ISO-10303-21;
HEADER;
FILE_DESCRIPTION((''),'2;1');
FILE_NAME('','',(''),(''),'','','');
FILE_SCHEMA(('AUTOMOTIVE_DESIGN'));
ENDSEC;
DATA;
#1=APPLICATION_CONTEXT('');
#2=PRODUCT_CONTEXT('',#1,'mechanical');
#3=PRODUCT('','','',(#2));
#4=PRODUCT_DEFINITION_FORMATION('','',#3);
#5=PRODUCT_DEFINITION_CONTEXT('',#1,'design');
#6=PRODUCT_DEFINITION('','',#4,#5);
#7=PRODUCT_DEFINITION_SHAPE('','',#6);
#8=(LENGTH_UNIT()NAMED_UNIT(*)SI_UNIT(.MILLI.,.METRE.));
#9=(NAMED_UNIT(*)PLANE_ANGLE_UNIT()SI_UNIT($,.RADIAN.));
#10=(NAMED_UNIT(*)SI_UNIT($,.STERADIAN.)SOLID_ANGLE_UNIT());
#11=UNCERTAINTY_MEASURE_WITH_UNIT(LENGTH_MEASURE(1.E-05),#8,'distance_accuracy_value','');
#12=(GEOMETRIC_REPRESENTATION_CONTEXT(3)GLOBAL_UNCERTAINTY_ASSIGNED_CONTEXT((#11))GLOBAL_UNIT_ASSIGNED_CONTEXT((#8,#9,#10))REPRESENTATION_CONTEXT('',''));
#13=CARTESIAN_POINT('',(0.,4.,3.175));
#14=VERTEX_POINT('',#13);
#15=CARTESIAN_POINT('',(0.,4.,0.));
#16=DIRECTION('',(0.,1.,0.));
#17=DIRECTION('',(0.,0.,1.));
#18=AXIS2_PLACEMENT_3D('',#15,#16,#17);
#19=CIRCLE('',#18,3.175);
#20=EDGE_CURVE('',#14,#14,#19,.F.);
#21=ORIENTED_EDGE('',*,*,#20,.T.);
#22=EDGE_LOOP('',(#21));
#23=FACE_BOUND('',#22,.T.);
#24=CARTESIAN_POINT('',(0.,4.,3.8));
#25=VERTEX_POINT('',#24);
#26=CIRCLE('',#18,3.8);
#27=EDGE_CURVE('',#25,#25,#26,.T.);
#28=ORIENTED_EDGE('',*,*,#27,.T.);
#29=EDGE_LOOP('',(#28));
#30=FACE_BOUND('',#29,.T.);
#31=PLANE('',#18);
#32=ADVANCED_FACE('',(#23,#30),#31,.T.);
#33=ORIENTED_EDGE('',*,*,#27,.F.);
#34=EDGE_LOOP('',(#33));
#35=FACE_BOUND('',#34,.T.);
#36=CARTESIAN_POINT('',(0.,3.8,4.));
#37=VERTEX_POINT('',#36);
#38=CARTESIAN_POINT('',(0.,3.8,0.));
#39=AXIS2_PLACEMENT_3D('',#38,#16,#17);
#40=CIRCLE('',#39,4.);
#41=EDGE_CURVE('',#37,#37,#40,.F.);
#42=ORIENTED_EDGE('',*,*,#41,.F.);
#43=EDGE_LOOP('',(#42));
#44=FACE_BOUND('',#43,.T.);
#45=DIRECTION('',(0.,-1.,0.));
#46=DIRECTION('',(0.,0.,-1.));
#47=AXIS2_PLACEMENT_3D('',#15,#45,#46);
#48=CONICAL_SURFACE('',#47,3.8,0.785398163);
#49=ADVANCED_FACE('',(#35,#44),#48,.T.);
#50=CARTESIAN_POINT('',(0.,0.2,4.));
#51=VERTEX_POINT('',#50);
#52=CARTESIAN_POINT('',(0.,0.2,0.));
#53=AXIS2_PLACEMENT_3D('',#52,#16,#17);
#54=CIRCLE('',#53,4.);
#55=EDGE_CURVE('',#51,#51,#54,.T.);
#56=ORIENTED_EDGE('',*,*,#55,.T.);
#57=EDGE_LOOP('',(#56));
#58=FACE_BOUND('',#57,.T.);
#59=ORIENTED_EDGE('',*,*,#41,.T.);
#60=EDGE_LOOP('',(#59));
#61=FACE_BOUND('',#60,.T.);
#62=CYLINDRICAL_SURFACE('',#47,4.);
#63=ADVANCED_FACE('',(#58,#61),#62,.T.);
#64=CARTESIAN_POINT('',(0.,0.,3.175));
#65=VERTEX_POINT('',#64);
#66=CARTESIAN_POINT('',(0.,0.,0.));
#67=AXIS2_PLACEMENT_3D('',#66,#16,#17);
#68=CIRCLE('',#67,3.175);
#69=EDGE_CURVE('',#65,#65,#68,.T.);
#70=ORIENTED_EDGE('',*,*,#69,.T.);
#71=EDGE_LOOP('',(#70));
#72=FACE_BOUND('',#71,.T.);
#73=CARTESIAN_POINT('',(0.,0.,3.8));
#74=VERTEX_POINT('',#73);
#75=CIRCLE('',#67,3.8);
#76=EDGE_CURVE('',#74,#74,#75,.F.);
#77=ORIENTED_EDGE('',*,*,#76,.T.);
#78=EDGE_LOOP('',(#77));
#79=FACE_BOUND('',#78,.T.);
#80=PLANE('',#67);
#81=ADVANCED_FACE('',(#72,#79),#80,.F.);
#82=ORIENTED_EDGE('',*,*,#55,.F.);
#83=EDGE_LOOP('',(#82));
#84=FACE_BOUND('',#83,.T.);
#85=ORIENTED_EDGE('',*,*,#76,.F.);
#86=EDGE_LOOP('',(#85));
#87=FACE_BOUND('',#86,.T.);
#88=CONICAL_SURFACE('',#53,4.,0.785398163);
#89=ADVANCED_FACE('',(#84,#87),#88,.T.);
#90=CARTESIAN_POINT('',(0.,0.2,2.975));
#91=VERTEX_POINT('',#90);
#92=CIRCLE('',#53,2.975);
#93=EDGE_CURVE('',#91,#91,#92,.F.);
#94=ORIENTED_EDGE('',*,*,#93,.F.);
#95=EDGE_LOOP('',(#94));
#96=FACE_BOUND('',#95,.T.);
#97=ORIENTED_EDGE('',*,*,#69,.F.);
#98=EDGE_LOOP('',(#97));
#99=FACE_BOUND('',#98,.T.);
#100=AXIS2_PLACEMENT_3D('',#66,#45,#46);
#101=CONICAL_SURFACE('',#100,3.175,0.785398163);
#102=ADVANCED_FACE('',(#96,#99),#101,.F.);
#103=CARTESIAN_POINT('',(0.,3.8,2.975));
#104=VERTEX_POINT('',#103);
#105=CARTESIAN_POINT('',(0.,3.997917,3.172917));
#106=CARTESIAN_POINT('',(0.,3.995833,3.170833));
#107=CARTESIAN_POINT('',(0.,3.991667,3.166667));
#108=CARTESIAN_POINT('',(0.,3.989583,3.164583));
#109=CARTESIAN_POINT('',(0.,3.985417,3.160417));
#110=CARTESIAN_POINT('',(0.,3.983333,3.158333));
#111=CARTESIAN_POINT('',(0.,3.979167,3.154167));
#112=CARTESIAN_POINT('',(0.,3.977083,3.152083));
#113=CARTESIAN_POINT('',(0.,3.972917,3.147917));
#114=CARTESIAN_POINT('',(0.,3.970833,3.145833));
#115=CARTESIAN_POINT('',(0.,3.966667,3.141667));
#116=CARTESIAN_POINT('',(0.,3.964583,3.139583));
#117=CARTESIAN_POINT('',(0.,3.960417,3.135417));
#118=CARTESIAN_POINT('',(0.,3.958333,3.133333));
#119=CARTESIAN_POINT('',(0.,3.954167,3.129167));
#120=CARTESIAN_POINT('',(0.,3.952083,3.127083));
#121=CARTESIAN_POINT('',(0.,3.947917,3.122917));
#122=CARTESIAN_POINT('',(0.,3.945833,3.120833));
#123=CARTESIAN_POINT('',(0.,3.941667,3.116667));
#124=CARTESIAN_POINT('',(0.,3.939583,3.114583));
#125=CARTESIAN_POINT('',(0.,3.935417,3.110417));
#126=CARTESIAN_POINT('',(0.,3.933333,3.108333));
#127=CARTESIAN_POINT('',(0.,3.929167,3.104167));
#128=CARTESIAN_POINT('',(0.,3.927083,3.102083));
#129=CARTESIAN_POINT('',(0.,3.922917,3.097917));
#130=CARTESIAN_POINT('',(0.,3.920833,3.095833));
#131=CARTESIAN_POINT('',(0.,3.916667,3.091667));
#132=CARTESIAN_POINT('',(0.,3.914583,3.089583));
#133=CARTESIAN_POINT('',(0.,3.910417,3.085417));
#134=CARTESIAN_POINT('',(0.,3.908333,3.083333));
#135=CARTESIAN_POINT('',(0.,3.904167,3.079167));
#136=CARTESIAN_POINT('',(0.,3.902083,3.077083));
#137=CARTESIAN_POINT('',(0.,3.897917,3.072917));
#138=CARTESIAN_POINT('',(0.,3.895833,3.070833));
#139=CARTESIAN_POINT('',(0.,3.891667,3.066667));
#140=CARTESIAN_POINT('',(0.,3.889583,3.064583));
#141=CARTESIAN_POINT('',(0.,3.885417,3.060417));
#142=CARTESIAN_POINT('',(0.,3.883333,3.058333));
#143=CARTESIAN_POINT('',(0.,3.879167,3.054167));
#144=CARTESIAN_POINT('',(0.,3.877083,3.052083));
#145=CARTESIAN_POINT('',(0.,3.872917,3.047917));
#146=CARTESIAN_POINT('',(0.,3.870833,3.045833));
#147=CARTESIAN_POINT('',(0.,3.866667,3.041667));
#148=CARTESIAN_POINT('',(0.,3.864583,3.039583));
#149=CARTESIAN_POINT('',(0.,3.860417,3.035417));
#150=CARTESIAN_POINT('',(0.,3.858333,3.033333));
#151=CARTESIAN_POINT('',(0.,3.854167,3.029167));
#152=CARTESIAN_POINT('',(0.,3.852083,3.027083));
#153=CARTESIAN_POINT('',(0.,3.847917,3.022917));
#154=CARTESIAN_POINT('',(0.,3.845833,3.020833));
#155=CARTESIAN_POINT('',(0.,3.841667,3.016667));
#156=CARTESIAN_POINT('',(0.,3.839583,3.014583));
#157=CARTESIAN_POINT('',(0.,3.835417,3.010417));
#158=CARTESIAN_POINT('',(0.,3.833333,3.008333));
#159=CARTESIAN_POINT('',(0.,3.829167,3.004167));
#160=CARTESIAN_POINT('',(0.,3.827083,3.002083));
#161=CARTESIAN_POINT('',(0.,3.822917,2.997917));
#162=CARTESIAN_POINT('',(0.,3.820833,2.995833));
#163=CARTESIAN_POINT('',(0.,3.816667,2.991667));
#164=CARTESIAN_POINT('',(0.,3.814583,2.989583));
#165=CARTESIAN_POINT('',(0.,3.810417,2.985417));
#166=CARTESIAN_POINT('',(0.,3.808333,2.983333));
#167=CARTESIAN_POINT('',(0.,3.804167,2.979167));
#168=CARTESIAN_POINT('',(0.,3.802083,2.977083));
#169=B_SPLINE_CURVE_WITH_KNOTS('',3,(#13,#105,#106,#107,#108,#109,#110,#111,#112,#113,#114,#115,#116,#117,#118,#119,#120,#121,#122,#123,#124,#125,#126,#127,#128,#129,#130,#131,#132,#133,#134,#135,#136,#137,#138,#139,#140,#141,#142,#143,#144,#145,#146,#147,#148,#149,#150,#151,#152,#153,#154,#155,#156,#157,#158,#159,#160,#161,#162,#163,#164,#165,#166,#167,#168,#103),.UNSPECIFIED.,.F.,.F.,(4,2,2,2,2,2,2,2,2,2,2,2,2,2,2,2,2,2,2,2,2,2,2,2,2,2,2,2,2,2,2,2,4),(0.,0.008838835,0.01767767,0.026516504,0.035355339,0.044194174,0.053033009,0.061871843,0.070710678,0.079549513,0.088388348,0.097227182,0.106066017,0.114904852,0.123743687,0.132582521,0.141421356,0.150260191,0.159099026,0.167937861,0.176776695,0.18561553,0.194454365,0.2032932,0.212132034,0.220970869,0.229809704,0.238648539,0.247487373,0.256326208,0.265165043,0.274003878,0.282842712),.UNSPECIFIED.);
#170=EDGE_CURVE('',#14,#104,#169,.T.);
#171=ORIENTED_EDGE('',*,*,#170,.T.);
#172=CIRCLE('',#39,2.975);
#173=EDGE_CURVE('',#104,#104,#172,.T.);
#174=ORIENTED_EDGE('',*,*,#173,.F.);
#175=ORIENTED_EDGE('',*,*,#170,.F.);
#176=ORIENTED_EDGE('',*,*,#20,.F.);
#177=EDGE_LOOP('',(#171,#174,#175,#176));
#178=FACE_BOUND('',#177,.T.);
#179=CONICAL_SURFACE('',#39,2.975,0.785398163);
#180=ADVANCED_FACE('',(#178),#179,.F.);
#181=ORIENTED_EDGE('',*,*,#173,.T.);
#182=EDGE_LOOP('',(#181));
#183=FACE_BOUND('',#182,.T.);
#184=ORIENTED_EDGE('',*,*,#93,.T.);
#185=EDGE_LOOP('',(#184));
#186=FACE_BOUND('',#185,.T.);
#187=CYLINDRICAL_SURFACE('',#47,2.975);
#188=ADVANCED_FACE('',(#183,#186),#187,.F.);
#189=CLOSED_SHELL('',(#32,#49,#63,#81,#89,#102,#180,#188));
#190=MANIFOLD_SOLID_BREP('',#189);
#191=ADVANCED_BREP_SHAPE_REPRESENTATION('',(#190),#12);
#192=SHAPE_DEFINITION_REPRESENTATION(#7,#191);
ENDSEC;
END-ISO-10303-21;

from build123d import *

# Parameters (mm, degrees)
SKETCH_1_R      = 4
SKETCH_1_R_2    = 2.975
EXTRUDE_1_DEPTH = 4
CHAMFER_1_SIZE  = 0.2


with BuildPart() as part:
    # 草图1 → 凸台-拉伸1 (new body)
    with BuildSketch(Plane(origin=(0, 0, 0), x_dir=(1, 0, 0), z_dir=(0, 1, 0))):
        with Locations(Location((0, 0, 0), (0, 0, 270))):
            Circle(SKETCH_1_R)
        with Locations(Location((0, 0, 0), (0, 0, 270))):
            Circle(SKETCH_1_R_2, mode=Mode.SUBTRACT)
    extrude(amount=EXTRUDE_1_DEPTH)

    # 倒角1
    chamfer_1_edges = [part.edges().sort_by_distance(p)[0] for p in [
        (0, 0, -4),
        (0, 4, -4),
        (0, 0, -2.975),
        (0, 4, -2.975),
    ]]
    chamfer(chamfer_1_edges, length=CHAMFER_1_SIZE)


solid = part.part
